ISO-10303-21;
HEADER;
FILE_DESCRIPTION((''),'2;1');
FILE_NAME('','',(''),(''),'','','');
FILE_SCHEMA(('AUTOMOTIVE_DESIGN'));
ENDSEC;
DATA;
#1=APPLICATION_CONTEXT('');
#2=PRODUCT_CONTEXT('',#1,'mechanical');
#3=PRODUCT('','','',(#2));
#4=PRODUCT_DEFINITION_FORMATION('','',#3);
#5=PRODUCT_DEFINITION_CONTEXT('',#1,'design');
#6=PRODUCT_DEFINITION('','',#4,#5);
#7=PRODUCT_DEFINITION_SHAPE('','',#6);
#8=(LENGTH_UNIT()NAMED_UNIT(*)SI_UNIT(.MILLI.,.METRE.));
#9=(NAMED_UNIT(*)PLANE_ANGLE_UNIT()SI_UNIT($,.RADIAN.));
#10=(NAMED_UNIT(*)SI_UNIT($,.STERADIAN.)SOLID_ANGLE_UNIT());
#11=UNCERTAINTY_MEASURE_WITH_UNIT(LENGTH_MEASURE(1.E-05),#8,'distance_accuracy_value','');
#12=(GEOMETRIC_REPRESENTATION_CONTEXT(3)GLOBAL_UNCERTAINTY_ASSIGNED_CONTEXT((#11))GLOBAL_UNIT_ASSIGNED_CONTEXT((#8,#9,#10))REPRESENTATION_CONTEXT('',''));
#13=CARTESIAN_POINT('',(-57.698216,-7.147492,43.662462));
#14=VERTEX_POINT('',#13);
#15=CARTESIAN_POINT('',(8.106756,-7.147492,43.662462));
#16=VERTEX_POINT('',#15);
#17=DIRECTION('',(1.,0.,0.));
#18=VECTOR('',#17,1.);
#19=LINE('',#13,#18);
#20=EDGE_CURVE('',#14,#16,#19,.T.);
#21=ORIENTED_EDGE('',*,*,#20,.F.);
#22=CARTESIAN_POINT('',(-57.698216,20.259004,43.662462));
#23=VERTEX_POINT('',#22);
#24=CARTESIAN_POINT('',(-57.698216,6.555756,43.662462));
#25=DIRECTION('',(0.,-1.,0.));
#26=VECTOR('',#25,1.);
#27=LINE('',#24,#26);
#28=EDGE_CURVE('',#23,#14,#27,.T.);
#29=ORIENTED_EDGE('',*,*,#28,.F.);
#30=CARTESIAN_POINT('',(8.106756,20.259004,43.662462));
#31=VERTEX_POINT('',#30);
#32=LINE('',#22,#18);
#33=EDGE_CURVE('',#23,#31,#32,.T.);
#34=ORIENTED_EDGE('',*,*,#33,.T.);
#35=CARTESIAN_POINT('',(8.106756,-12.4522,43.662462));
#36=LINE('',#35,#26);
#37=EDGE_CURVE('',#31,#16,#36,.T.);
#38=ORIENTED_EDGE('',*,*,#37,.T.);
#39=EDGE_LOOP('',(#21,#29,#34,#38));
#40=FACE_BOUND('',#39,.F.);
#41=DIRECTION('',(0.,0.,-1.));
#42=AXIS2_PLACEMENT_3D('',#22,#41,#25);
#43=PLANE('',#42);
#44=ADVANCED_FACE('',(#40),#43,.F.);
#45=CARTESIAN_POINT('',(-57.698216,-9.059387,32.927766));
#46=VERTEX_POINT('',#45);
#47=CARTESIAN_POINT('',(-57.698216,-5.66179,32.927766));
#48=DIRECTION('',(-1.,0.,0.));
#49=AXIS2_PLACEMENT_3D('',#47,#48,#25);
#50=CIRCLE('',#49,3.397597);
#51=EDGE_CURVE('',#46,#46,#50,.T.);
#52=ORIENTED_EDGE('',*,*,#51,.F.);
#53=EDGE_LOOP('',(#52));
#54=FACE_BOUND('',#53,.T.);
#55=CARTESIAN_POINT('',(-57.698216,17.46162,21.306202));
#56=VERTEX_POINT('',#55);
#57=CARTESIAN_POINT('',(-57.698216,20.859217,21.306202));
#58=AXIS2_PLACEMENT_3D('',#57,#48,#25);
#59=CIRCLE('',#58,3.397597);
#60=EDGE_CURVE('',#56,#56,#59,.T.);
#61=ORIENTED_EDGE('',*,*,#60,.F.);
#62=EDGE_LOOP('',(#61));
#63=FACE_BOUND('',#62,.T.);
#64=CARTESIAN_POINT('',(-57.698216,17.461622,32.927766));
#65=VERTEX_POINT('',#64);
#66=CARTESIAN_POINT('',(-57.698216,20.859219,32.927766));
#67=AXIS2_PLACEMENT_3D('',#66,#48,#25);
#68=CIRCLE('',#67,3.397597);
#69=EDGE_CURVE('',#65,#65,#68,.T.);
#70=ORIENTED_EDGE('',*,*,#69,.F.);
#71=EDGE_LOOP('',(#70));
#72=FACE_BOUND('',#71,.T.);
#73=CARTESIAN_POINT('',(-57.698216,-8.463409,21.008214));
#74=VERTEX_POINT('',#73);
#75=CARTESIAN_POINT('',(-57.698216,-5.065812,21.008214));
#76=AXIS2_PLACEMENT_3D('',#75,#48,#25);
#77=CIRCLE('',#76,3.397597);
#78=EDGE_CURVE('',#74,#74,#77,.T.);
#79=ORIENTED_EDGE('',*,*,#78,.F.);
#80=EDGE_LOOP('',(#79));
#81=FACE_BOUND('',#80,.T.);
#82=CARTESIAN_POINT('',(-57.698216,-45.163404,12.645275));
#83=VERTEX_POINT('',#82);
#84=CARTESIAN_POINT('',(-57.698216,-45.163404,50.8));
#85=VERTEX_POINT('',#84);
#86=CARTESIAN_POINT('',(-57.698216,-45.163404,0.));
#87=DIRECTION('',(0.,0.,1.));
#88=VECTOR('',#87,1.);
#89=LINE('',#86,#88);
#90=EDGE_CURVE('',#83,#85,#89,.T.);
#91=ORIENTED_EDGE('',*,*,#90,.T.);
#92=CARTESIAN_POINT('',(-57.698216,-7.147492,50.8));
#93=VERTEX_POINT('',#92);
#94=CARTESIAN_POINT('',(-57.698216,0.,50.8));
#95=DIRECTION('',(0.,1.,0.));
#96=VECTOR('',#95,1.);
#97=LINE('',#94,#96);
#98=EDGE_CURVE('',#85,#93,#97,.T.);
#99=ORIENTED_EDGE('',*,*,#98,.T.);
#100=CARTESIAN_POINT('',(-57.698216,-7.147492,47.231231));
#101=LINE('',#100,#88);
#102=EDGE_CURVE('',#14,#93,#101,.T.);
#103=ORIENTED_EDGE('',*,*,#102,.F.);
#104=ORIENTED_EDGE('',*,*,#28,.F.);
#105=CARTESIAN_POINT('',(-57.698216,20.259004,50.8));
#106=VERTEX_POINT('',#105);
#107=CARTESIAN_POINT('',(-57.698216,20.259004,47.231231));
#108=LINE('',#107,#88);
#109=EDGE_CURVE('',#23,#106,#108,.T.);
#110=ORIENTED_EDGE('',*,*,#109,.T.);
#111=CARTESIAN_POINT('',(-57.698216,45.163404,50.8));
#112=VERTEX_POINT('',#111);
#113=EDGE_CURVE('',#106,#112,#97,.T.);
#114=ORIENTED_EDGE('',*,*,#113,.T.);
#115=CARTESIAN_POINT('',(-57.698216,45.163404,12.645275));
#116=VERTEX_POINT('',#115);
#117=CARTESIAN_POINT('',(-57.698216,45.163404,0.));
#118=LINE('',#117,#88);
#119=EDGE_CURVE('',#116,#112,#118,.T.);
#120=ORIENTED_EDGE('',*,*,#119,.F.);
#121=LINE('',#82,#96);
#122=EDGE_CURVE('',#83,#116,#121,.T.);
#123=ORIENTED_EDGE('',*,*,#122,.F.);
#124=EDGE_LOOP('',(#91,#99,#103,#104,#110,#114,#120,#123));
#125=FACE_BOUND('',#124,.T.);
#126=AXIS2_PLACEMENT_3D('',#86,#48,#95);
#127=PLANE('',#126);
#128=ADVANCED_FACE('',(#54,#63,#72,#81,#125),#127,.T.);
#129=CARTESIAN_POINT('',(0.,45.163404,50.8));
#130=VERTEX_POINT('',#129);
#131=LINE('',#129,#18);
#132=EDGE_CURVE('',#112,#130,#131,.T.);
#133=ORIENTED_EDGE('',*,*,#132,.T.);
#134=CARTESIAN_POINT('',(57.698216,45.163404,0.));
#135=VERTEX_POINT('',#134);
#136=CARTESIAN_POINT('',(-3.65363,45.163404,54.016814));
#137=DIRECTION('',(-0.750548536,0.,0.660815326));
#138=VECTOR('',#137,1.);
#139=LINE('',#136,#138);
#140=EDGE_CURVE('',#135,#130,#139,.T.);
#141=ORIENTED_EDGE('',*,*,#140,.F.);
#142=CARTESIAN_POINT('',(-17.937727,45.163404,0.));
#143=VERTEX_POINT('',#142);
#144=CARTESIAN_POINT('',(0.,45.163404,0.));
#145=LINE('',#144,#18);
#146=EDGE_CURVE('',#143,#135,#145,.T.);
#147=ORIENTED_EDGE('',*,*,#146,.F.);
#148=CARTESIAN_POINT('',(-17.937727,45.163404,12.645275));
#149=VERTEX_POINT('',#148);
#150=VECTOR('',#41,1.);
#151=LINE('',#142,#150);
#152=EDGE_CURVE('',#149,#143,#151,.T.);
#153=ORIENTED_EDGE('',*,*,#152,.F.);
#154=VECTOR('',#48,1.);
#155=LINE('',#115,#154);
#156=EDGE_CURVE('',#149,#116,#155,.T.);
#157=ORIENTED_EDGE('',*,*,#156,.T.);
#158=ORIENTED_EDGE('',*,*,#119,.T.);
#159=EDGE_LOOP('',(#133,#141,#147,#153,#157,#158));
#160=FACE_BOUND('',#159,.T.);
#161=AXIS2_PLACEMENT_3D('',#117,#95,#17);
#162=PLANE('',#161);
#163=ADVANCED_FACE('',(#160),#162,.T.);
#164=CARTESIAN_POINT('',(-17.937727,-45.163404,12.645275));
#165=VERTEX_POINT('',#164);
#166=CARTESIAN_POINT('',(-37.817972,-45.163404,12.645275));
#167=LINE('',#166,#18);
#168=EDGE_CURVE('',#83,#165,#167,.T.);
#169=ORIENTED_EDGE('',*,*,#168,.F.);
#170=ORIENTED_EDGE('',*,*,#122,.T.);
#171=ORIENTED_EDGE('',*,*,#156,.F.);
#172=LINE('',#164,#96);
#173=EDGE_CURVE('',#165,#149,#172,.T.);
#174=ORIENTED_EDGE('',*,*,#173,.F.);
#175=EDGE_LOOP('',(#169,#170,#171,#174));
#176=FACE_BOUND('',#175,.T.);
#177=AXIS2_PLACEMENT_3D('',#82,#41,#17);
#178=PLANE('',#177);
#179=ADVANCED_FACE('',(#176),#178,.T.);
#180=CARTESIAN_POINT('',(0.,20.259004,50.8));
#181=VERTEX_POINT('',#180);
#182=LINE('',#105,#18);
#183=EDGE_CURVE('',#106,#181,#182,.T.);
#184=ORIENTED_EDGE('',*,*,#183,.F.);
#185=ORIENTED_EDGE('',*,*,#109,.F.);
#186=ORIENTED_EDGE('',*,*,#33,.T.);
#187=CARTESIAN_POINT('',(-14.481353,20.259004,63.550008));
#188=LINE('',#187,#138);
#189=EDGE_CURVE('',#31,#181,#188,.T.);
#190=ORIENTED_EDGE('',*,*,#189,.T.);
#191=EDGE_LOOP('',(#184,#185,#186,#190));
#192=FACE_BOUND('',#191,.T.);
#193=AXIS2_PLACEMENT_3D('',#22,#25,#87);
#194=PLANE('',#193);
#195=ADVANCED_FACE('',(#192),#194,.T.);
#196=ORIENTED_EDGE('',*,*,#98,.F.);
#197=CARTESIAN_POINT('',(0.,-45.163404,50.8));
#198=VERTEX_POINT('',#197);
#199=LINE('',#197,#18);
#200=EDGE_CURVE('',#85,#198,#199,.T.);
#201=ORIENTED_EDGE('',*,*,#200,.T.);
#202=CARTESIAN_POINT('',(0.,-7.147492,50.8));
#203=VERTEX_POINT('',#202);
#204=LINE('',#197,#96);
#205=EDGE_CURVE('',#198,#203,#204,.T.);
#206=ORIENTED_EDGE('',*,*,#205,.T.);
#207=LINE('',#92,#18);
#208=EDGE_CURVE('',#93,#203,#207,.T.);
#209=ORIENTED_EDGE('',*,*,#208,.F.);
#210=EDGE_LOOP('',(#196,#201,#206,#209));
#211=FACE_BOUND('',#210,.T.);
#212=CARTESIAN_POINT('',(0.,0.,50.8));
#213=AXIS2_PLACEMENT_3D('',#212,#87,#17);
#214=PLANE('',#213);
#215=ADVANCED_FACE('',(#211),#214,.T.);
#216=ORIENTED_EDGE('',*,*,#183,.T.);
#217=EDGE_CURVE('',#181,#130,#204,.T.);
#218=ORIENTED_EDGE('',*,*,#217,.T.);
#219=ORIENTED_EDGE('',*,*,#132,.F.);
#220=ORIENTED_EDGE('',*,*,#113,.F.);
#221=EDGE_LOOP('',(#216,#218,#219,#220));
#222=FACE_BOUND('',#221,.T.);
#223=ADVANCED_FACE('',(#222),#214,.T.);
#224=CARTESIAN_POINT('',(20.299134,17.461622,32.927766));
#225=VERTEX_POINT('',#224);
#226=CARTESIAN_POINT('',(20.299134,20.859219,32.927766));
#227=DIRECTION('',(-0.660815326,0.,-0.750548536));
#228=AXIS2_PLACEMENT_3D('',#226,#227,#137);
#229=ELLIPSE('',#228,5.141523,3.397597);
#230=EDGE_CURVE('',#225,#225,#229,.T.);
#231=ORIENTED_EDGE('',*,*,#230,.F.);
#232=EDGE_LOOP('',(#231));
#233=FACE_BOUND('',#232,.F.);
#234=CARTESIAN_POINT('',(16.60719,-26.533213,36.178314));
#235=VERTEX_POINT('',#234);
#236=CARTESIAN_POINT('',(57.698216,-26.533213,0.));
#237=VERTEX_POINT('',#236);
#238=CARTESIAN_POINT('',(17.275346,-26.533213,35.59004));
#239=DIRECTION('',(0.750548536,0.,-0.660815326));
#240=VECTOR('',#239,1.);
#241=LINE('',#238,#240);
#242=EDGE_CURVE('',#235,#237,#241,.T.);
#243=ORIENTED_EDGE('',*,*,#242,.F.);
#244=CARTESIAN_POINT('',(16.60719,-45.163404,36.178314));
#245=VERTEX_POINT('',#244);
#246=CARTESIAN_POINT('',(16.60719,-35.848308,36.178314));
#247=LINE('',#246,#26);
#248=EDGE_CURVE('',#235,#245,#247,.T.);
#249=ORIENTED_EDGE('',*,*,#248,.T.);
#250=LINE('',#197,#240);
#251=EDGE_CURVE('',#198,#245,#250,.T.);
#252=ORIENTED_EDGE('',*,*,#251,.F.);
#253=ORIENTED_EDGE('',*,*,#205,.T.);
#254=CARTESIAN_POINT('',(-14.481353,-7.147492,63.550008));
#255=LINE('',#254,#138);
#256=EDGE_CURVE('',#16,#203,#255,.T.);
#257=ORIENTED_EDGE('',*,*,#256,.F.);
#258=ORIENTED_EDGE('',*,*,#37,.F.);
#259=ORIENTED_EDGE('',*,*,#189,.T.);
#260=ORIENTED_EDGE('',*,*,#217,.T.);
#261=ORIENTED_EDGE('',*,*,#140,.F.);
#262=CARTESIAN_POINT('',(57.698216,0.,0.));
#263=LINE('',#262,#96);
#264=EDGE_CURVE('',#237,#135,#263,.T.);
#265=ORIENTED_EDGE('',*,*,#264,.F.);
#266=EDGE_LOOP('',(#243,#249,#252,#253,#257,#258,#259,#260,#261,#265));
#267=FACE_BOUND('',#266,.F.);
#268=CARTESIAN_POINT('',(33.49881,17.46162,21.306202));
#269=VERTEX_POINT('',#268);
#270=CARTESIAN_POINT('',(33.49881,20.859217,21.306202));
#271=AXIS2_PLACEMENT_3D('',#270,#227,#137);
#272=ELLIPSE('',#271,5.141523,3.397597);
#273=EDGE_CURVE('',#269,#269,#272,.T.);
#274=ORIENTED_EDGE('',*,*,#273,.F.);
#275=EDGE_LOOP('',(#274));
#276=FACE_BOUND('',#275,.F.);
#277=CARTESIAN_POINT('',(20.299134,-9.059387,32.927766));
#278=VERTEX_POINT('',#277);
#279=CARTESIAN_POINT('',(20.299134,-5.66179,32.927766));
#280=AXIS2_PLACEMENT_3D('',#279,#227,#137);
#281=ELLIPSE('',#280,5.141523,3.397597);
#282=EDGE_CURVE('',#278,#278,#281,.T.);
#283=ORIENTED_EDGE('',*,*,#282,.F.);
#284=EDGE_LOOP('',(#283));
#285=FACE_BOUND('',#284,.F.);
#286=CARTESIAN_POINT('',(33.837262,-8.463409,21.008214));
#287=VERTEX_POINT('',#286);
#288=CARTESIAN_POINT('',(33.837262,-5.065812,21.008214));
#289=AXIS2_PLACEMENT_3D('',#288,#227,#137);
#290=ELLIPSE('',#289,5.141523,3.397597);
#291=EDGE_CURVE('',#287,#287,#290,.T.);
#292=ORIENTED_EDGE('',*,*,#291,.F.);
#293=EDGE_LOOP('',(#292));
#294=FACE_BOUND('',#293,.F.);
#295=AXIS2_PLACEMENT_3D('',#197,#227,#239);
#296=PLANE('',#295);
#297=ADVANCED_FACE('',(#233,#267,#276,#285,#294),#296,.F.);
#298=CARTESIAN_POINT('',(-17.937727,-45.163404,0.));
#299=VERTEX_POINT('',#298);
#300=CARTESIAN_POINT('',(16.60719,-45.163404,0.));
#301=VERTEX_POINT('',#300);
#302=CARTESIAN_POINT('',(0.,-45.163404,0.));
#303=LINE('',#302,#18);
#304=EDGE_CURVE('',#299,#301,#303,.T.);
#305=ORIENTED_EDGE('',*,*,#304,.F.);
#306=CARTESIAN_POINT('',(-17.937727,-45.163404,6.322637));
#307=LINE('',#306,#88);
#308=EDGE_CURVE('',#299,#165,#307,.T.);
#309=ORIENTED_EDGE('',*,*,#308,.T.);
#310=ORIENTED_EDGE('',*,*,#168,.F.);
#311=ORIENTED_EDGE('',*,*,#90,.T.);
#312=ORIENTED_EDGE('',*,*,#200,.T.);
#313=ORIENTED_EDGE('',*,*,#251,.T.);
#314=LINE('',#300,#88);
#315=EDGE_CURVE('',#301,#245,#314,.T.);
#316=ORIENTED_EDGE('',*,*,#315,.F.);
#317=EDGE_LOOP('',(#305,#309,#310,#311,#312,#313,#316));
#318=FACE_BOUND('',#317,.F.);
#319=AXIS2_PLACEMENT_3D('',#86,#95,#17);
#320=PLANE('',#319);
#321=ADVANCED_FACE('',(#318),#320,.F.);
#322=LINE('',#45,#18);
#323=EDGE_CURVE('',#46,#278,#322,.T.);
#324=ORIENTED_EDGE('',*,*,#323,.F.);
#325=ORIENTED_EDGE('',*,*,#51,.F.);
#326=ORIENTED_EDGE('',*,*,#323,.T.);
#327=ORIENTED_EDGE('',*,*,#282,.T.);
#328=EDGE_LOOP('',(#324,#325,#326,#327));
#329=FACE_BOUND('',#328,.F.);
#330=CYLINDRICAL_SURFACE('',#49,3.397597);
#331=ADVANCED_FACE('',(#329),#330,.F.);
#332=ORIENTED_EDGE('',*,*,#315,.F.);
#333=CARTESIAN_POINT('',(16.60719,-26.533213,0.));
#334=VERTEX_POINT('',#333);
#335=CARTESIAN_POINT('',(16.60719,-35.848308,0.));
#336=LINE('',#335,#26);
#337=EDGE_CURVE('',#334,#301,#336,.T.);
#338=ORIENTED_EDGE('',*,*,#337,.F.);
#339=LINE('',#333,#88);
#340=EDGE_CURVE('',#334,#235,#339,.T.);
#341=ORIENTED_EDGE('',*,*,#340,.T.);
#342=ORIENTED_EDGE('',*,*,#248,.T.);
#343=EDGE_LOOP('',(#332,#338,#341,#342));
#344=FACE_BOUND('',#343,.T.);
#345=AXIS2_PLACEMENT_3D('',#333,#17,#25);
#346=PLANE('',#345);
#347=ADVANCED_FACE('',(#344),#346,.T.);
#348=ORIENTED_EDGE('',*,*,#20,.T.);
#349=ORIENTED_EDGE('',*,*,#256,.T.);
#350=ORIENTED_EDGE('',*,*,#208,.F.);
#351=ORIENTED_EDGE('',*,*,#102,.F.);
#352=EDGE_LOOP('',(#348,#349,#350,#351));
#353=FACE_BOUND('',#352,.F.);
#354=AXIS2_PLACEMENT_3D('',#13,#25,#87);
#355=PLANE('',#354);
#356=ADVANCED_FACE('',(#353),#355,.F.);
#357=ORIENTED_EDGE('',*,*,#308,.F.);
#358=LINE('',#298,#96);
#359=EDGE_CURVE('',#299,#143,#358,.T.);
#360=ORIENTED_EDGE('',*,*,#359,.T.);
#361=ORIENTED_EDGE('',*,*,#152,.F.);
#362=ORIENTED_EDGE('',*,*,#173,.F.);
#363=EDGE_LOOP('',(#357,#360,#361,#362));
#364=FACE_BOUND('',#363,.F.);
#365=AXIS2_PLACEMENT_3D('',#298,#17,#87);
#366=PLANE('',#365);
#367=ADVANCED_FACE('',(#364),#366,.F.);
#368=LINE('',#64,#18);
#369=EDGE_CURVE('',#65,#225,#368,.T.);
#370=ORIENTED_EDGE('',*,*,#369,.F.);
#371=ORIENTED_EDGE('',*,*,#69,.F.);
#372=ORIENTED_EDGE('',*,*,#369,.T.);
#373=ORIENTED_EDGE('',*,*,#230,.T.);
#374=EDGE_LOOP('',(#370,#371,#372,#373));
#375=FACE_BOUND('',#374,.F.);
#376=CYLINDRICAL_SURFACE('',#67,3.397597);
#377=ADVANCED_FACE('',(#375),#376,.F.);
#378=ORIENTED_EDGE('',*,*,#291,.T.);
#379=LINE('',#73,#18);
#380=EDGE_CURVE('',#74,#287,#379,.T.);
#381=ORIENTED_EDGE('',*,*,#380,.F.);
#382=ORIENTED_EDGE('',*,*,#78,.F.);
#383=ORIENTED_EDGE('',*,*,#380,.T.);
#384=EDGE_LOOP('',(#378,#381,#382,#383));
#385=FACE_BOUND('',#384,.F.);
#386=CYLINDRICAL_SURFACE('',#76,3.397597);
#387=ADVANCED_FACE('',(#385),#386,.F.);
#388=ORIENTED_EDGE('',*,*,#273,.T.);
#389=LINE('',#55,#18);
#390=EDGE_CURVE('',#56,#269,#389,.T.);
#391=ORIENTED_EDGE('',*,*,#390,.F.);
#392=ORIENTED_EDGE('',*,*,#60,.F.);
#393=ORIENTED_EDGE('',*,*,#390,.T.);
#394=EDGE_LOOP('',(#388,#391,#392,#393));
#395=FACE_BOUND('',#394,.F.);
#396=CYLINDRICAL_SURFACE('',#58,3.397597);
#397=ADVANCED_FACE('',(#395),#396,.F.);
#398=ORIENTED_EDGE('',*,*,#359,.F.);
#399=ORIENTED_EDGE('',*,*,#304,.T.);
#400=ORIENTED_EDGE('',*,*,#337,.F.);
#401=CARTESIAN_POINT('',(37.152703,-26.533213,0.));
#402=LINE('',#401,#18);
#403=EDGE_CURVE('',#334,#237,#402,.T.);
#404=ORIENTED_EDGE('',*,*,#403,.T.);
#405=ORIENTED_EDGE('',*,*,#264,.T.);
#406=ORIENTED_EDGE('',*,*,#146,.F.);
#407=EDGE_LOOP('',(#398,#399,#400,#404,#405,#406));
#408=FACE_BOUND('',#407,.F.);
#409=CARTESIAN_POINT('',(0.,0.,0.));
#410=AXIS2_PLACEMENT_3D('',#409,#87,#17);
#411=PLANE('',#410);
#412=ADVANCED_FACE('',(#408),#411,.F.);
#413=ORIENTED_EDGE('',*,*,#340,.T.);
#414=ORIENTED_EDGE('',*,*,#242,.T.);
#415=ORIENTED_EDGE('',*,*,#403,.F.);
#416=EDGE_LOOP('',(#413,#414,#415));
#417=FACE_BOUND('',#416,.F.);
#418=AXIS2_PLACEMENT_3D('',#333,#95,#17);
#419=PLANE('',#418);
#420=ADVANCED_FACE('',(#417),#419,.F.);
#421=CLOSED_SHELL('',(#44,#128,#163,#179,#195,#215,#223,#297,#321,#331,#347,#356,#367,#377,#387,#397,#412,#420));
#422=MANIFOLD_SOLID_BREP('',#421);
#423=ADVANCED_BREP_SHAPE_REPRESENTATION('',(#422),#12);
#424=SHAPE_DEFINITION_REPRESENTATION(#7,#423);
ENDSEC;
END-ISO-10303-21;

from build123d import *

# Parameters (mm, degrees)
F0_W     = 115.3964325786
F0_H     = 90.326808393
F1_DEPTH = 50.8
F2_W     = 39.7604890168
F2_H     = 12.6452748664
F3_DEPTH = 90.327808393
F4_W     = 41.0910267383
F4_H     = 18.6301916838
F5_DEPTH = 50.801
F6_R     = 3.3975971179
F6_W     = 27.4064959049
F6_H     = 7.1375382304
F7_DEPTH = 115.3974325786


with BuildPart() as f1:
    # F0 (on Top) → F1 (new body)
    with BuildSketch(Plane.XY):
        Rectangle(F0_W, F0_H)
    extrude(amount=F1_DEPTH)

    # F2 (on face) → F3 (cut, through all)
    with BuildSketch(Plane.XZ.offset(45.1634041965)):
        Polygon((57.6982162893, 50.8), (0, 50.8), (57.6982162893, 0), align=None)
        with Locations((-37.8179717809, 6.3226374332)):
            Rectangle(F2_W, F2_H)
    extrude(amount=-F3_DEPTH, mode=Mode.SUBTRACT)

    # F4 (on face) → F5 (cut, through all)
    with BuildSketch(Plane(origin=(0, 0, 0), x_dir=(1, 0, 0), z_dir=(0, 0, -1))):
        with Locations((37.1527029201, 35.8483083546)):
            Rectangle(F4_W, F4_H)
    extrude(amount=-F5_DEPTH, mode=Mode.SUBTRACT)

    # F6 (on face) → F7 (cut, through all)
    with BuildSketch(Plane(origin=(-57.6982162893, 0, 0), x_dir=(0, -1, 0), z_dir=(-1, 0, 0))):
        with Locations((-20.8592172712, 21.3062018156)):
            Circle(F6_R)
        with Locations((-20.8592191339, 32.9277664423)):
            Circle(F6_R)
        with Locations((5.6617897935, 32.9277664423)):
            Circle(F6_R)
        with Locations((5.065811798, 21.008213982)):
            Circle(F6_R)
        with Locations((-6.5557556227, 47.2312308848)):
            Rectangle(F6_W, F6_H)
    extrude(amount=-F7_DEPTH, mode=Mode.SUBTRACT)


solid = f1.part
